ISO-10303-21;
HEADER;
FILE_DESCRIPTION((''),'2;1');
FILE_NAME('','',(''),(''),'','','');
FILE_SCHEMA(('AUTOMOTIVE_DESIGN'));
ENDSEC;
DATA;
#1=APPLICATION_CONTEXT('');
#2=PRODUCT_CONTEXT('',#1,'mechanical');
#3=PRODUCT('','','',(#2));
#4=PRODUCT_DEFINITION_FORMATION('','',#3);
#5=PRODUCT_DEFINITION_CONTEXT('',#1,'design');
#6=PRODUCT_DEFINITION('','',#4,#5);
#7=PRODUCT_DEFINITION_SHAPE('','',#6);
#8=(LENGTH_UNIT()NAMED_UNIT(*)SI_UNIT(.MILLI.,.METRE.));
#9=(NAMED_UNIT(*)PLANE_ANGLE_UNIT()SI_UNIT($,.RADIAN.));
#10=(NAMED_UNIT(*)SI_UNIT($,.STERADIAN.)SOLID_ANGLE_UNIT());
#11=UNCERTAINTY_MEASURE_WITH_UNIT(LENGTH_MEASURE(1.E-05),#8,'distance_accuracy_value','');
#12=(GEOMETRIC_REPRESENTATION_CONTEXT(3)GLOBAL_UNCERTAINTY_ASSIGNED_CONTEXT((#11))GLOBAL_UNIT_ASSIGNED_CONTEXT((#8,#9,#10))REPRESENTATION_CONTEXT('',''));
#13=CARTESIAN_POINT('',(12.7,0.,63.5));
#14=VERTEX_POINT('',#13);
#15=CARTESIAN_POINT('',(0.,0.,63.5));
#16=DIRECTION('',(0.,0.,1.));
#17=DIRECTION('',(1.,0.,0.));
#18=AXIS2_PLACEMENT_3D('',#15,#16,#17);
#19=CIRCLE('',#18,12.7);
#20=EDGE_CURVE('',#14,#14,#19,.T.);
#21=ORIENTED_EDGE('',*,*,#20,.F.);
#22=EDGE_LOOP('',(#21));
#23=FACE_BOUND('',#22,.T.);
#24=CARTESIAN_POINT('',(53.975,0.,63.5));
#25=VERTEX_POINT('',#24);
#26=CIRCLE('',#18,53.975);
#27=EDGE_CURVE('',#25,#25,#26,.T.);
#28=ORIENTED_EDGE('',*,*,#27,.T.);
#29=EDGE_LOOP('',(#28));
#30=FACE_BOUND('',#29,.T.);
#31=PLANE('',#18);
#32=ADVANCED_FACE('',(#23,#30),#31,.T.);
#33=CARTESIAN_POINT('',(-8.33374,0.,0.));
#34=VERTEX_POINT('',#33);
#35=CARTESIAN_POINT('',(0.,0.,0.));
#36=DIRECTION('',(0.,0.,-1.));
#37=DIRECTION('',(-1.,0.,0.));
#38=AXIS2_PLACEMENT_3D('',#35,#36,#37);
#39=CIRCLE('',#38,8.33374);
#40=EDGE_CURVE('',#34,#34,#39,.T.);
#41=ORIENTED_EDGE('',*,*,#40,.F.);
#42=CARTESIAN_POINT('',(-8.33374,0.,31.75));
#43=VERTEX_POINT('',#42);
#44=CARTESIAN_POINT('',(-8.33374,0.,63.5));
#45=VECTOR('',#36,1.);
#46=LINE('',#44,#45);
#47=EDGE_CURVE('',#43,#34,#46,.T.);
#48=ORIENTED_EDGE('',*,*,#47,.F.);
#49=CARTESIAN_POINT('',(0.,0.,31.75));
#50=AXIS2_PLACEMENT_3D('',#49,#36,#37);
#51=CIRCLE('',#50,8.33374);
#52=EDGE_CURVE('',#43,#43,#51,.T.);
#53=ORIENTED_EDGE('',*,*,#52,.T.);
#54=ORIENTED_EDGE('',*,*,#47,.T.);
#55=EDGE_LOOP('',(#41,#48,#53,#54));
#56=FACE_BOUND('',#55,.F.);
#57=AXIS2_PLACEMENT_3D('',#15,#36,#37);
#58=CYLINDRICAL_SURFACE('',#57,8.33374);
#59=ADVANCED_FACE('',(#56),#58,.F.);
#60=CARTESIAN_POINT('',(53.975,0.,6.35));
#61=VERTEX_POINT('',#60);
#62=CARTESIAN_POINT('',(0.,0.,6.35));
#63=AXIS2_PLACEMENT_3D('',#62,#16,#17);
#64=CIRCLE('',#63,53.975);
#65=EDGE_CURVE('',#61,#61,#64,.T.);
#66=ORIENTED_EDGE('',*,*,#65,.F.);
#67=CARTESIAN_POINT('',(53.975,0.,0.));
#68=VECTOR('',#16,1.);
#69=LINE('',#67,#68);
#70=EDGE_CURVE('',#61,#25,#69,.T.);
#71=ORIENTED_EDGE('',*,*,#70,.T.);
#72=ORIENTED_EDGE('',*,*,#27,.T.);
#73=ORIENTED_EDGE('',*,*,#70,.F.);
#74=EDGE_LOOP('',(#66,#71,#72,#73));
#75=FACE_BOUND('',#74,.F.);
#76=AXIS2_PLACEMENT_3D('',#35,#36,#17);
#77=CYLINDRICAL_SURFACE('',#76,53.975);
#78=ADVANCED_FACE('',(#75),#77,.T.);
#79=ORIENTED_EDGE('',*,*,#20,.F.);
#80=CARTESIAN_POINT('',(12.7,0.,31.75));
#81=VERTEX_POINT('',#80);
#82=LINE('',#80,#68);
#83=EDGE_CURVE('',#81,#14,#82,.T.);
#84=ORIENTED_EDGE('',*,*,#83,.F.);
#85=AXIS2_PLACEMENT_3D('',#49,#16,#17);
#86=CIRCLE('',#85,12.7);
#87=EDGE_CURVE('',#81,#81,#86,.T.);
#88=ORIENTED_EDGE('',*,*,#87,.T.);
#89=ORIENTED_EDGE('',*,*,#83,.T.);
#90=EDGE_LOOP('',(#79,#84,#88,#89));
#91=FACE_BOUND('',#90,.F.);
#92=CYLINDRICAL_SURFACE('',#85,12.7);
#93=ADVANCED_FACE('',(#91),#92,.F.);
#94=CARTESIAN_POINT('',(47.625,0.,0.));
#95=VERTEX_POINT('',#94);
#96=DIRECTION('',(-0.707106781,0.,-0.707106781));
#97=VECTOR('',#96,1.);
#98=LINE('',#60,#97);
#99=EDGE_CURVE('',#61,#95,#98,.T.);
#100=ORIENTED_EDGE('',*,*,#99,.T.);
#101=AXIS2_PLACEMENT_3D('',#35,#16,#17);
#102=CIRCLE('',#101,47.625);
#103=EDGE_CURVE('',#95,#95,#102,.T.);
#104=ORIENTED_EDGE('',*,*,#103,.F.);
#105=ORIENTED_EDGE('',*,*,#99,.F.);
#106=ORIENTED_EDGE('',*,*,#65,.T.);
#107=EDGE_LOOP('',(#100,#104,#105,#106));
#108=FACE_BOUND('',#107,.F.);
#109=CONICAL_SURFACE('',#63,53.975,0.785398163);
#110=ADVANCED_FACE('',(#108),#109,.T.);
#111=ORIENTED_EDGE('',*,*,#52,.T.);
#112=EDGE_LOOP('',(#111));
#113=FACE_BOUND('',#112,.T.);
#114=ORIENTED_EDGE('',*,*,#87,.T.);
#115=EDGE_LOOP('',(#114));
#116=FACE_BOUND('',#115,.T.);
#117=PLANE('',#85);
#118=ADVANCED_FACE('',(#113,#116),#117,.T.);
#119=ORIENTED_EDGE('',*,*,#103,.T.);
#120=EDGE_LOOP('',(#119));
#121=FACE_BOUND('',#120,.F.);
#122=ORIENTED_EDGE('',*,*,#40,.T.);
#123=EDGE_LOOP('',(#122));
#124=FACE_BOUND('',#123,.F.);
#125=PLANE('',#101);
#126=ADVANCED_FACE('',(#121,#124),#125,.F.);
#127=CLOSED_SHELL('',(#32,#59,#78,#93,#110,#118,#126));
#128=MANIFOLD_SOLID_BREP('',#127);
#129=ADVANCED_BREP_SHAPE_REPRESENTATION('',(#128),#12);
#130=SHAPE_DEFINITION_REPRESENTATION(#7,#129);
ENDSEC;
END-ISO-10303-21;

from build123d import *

# Parameters (mm, degrees)
F0_R           = 53.975
F1_DEPTH       = 63.5
F3_D           = 16.66748
F3_CBORE_D     = 25.4
F3_CBORE_DEPTH = 31.75
F4_SIZE        = 6.35


with BuildPart() as f1:
    # F0 (on Top) → F1 (new body)
    with BuildSketch(Plane.XY):
        Circle(F0_R)
    extrude(amount=F1_DEPTH)

    # F3 (through all)
    with Locations(Plane.XY.offset(63.5)):
        with Locations((0, 0)):
            CounterBoreHole(F3_D / 2, F3_CBORE_D / 2, F3_CBORE_DEPTH)

    # F4
    f4_edges = [f1.edges().sort_by_distance(p)[0] for p in [
        (-53.975, 0, 0),
    ]]
    chamfer(f4_edges, length=F4_SIZE)


solid = f1.part
